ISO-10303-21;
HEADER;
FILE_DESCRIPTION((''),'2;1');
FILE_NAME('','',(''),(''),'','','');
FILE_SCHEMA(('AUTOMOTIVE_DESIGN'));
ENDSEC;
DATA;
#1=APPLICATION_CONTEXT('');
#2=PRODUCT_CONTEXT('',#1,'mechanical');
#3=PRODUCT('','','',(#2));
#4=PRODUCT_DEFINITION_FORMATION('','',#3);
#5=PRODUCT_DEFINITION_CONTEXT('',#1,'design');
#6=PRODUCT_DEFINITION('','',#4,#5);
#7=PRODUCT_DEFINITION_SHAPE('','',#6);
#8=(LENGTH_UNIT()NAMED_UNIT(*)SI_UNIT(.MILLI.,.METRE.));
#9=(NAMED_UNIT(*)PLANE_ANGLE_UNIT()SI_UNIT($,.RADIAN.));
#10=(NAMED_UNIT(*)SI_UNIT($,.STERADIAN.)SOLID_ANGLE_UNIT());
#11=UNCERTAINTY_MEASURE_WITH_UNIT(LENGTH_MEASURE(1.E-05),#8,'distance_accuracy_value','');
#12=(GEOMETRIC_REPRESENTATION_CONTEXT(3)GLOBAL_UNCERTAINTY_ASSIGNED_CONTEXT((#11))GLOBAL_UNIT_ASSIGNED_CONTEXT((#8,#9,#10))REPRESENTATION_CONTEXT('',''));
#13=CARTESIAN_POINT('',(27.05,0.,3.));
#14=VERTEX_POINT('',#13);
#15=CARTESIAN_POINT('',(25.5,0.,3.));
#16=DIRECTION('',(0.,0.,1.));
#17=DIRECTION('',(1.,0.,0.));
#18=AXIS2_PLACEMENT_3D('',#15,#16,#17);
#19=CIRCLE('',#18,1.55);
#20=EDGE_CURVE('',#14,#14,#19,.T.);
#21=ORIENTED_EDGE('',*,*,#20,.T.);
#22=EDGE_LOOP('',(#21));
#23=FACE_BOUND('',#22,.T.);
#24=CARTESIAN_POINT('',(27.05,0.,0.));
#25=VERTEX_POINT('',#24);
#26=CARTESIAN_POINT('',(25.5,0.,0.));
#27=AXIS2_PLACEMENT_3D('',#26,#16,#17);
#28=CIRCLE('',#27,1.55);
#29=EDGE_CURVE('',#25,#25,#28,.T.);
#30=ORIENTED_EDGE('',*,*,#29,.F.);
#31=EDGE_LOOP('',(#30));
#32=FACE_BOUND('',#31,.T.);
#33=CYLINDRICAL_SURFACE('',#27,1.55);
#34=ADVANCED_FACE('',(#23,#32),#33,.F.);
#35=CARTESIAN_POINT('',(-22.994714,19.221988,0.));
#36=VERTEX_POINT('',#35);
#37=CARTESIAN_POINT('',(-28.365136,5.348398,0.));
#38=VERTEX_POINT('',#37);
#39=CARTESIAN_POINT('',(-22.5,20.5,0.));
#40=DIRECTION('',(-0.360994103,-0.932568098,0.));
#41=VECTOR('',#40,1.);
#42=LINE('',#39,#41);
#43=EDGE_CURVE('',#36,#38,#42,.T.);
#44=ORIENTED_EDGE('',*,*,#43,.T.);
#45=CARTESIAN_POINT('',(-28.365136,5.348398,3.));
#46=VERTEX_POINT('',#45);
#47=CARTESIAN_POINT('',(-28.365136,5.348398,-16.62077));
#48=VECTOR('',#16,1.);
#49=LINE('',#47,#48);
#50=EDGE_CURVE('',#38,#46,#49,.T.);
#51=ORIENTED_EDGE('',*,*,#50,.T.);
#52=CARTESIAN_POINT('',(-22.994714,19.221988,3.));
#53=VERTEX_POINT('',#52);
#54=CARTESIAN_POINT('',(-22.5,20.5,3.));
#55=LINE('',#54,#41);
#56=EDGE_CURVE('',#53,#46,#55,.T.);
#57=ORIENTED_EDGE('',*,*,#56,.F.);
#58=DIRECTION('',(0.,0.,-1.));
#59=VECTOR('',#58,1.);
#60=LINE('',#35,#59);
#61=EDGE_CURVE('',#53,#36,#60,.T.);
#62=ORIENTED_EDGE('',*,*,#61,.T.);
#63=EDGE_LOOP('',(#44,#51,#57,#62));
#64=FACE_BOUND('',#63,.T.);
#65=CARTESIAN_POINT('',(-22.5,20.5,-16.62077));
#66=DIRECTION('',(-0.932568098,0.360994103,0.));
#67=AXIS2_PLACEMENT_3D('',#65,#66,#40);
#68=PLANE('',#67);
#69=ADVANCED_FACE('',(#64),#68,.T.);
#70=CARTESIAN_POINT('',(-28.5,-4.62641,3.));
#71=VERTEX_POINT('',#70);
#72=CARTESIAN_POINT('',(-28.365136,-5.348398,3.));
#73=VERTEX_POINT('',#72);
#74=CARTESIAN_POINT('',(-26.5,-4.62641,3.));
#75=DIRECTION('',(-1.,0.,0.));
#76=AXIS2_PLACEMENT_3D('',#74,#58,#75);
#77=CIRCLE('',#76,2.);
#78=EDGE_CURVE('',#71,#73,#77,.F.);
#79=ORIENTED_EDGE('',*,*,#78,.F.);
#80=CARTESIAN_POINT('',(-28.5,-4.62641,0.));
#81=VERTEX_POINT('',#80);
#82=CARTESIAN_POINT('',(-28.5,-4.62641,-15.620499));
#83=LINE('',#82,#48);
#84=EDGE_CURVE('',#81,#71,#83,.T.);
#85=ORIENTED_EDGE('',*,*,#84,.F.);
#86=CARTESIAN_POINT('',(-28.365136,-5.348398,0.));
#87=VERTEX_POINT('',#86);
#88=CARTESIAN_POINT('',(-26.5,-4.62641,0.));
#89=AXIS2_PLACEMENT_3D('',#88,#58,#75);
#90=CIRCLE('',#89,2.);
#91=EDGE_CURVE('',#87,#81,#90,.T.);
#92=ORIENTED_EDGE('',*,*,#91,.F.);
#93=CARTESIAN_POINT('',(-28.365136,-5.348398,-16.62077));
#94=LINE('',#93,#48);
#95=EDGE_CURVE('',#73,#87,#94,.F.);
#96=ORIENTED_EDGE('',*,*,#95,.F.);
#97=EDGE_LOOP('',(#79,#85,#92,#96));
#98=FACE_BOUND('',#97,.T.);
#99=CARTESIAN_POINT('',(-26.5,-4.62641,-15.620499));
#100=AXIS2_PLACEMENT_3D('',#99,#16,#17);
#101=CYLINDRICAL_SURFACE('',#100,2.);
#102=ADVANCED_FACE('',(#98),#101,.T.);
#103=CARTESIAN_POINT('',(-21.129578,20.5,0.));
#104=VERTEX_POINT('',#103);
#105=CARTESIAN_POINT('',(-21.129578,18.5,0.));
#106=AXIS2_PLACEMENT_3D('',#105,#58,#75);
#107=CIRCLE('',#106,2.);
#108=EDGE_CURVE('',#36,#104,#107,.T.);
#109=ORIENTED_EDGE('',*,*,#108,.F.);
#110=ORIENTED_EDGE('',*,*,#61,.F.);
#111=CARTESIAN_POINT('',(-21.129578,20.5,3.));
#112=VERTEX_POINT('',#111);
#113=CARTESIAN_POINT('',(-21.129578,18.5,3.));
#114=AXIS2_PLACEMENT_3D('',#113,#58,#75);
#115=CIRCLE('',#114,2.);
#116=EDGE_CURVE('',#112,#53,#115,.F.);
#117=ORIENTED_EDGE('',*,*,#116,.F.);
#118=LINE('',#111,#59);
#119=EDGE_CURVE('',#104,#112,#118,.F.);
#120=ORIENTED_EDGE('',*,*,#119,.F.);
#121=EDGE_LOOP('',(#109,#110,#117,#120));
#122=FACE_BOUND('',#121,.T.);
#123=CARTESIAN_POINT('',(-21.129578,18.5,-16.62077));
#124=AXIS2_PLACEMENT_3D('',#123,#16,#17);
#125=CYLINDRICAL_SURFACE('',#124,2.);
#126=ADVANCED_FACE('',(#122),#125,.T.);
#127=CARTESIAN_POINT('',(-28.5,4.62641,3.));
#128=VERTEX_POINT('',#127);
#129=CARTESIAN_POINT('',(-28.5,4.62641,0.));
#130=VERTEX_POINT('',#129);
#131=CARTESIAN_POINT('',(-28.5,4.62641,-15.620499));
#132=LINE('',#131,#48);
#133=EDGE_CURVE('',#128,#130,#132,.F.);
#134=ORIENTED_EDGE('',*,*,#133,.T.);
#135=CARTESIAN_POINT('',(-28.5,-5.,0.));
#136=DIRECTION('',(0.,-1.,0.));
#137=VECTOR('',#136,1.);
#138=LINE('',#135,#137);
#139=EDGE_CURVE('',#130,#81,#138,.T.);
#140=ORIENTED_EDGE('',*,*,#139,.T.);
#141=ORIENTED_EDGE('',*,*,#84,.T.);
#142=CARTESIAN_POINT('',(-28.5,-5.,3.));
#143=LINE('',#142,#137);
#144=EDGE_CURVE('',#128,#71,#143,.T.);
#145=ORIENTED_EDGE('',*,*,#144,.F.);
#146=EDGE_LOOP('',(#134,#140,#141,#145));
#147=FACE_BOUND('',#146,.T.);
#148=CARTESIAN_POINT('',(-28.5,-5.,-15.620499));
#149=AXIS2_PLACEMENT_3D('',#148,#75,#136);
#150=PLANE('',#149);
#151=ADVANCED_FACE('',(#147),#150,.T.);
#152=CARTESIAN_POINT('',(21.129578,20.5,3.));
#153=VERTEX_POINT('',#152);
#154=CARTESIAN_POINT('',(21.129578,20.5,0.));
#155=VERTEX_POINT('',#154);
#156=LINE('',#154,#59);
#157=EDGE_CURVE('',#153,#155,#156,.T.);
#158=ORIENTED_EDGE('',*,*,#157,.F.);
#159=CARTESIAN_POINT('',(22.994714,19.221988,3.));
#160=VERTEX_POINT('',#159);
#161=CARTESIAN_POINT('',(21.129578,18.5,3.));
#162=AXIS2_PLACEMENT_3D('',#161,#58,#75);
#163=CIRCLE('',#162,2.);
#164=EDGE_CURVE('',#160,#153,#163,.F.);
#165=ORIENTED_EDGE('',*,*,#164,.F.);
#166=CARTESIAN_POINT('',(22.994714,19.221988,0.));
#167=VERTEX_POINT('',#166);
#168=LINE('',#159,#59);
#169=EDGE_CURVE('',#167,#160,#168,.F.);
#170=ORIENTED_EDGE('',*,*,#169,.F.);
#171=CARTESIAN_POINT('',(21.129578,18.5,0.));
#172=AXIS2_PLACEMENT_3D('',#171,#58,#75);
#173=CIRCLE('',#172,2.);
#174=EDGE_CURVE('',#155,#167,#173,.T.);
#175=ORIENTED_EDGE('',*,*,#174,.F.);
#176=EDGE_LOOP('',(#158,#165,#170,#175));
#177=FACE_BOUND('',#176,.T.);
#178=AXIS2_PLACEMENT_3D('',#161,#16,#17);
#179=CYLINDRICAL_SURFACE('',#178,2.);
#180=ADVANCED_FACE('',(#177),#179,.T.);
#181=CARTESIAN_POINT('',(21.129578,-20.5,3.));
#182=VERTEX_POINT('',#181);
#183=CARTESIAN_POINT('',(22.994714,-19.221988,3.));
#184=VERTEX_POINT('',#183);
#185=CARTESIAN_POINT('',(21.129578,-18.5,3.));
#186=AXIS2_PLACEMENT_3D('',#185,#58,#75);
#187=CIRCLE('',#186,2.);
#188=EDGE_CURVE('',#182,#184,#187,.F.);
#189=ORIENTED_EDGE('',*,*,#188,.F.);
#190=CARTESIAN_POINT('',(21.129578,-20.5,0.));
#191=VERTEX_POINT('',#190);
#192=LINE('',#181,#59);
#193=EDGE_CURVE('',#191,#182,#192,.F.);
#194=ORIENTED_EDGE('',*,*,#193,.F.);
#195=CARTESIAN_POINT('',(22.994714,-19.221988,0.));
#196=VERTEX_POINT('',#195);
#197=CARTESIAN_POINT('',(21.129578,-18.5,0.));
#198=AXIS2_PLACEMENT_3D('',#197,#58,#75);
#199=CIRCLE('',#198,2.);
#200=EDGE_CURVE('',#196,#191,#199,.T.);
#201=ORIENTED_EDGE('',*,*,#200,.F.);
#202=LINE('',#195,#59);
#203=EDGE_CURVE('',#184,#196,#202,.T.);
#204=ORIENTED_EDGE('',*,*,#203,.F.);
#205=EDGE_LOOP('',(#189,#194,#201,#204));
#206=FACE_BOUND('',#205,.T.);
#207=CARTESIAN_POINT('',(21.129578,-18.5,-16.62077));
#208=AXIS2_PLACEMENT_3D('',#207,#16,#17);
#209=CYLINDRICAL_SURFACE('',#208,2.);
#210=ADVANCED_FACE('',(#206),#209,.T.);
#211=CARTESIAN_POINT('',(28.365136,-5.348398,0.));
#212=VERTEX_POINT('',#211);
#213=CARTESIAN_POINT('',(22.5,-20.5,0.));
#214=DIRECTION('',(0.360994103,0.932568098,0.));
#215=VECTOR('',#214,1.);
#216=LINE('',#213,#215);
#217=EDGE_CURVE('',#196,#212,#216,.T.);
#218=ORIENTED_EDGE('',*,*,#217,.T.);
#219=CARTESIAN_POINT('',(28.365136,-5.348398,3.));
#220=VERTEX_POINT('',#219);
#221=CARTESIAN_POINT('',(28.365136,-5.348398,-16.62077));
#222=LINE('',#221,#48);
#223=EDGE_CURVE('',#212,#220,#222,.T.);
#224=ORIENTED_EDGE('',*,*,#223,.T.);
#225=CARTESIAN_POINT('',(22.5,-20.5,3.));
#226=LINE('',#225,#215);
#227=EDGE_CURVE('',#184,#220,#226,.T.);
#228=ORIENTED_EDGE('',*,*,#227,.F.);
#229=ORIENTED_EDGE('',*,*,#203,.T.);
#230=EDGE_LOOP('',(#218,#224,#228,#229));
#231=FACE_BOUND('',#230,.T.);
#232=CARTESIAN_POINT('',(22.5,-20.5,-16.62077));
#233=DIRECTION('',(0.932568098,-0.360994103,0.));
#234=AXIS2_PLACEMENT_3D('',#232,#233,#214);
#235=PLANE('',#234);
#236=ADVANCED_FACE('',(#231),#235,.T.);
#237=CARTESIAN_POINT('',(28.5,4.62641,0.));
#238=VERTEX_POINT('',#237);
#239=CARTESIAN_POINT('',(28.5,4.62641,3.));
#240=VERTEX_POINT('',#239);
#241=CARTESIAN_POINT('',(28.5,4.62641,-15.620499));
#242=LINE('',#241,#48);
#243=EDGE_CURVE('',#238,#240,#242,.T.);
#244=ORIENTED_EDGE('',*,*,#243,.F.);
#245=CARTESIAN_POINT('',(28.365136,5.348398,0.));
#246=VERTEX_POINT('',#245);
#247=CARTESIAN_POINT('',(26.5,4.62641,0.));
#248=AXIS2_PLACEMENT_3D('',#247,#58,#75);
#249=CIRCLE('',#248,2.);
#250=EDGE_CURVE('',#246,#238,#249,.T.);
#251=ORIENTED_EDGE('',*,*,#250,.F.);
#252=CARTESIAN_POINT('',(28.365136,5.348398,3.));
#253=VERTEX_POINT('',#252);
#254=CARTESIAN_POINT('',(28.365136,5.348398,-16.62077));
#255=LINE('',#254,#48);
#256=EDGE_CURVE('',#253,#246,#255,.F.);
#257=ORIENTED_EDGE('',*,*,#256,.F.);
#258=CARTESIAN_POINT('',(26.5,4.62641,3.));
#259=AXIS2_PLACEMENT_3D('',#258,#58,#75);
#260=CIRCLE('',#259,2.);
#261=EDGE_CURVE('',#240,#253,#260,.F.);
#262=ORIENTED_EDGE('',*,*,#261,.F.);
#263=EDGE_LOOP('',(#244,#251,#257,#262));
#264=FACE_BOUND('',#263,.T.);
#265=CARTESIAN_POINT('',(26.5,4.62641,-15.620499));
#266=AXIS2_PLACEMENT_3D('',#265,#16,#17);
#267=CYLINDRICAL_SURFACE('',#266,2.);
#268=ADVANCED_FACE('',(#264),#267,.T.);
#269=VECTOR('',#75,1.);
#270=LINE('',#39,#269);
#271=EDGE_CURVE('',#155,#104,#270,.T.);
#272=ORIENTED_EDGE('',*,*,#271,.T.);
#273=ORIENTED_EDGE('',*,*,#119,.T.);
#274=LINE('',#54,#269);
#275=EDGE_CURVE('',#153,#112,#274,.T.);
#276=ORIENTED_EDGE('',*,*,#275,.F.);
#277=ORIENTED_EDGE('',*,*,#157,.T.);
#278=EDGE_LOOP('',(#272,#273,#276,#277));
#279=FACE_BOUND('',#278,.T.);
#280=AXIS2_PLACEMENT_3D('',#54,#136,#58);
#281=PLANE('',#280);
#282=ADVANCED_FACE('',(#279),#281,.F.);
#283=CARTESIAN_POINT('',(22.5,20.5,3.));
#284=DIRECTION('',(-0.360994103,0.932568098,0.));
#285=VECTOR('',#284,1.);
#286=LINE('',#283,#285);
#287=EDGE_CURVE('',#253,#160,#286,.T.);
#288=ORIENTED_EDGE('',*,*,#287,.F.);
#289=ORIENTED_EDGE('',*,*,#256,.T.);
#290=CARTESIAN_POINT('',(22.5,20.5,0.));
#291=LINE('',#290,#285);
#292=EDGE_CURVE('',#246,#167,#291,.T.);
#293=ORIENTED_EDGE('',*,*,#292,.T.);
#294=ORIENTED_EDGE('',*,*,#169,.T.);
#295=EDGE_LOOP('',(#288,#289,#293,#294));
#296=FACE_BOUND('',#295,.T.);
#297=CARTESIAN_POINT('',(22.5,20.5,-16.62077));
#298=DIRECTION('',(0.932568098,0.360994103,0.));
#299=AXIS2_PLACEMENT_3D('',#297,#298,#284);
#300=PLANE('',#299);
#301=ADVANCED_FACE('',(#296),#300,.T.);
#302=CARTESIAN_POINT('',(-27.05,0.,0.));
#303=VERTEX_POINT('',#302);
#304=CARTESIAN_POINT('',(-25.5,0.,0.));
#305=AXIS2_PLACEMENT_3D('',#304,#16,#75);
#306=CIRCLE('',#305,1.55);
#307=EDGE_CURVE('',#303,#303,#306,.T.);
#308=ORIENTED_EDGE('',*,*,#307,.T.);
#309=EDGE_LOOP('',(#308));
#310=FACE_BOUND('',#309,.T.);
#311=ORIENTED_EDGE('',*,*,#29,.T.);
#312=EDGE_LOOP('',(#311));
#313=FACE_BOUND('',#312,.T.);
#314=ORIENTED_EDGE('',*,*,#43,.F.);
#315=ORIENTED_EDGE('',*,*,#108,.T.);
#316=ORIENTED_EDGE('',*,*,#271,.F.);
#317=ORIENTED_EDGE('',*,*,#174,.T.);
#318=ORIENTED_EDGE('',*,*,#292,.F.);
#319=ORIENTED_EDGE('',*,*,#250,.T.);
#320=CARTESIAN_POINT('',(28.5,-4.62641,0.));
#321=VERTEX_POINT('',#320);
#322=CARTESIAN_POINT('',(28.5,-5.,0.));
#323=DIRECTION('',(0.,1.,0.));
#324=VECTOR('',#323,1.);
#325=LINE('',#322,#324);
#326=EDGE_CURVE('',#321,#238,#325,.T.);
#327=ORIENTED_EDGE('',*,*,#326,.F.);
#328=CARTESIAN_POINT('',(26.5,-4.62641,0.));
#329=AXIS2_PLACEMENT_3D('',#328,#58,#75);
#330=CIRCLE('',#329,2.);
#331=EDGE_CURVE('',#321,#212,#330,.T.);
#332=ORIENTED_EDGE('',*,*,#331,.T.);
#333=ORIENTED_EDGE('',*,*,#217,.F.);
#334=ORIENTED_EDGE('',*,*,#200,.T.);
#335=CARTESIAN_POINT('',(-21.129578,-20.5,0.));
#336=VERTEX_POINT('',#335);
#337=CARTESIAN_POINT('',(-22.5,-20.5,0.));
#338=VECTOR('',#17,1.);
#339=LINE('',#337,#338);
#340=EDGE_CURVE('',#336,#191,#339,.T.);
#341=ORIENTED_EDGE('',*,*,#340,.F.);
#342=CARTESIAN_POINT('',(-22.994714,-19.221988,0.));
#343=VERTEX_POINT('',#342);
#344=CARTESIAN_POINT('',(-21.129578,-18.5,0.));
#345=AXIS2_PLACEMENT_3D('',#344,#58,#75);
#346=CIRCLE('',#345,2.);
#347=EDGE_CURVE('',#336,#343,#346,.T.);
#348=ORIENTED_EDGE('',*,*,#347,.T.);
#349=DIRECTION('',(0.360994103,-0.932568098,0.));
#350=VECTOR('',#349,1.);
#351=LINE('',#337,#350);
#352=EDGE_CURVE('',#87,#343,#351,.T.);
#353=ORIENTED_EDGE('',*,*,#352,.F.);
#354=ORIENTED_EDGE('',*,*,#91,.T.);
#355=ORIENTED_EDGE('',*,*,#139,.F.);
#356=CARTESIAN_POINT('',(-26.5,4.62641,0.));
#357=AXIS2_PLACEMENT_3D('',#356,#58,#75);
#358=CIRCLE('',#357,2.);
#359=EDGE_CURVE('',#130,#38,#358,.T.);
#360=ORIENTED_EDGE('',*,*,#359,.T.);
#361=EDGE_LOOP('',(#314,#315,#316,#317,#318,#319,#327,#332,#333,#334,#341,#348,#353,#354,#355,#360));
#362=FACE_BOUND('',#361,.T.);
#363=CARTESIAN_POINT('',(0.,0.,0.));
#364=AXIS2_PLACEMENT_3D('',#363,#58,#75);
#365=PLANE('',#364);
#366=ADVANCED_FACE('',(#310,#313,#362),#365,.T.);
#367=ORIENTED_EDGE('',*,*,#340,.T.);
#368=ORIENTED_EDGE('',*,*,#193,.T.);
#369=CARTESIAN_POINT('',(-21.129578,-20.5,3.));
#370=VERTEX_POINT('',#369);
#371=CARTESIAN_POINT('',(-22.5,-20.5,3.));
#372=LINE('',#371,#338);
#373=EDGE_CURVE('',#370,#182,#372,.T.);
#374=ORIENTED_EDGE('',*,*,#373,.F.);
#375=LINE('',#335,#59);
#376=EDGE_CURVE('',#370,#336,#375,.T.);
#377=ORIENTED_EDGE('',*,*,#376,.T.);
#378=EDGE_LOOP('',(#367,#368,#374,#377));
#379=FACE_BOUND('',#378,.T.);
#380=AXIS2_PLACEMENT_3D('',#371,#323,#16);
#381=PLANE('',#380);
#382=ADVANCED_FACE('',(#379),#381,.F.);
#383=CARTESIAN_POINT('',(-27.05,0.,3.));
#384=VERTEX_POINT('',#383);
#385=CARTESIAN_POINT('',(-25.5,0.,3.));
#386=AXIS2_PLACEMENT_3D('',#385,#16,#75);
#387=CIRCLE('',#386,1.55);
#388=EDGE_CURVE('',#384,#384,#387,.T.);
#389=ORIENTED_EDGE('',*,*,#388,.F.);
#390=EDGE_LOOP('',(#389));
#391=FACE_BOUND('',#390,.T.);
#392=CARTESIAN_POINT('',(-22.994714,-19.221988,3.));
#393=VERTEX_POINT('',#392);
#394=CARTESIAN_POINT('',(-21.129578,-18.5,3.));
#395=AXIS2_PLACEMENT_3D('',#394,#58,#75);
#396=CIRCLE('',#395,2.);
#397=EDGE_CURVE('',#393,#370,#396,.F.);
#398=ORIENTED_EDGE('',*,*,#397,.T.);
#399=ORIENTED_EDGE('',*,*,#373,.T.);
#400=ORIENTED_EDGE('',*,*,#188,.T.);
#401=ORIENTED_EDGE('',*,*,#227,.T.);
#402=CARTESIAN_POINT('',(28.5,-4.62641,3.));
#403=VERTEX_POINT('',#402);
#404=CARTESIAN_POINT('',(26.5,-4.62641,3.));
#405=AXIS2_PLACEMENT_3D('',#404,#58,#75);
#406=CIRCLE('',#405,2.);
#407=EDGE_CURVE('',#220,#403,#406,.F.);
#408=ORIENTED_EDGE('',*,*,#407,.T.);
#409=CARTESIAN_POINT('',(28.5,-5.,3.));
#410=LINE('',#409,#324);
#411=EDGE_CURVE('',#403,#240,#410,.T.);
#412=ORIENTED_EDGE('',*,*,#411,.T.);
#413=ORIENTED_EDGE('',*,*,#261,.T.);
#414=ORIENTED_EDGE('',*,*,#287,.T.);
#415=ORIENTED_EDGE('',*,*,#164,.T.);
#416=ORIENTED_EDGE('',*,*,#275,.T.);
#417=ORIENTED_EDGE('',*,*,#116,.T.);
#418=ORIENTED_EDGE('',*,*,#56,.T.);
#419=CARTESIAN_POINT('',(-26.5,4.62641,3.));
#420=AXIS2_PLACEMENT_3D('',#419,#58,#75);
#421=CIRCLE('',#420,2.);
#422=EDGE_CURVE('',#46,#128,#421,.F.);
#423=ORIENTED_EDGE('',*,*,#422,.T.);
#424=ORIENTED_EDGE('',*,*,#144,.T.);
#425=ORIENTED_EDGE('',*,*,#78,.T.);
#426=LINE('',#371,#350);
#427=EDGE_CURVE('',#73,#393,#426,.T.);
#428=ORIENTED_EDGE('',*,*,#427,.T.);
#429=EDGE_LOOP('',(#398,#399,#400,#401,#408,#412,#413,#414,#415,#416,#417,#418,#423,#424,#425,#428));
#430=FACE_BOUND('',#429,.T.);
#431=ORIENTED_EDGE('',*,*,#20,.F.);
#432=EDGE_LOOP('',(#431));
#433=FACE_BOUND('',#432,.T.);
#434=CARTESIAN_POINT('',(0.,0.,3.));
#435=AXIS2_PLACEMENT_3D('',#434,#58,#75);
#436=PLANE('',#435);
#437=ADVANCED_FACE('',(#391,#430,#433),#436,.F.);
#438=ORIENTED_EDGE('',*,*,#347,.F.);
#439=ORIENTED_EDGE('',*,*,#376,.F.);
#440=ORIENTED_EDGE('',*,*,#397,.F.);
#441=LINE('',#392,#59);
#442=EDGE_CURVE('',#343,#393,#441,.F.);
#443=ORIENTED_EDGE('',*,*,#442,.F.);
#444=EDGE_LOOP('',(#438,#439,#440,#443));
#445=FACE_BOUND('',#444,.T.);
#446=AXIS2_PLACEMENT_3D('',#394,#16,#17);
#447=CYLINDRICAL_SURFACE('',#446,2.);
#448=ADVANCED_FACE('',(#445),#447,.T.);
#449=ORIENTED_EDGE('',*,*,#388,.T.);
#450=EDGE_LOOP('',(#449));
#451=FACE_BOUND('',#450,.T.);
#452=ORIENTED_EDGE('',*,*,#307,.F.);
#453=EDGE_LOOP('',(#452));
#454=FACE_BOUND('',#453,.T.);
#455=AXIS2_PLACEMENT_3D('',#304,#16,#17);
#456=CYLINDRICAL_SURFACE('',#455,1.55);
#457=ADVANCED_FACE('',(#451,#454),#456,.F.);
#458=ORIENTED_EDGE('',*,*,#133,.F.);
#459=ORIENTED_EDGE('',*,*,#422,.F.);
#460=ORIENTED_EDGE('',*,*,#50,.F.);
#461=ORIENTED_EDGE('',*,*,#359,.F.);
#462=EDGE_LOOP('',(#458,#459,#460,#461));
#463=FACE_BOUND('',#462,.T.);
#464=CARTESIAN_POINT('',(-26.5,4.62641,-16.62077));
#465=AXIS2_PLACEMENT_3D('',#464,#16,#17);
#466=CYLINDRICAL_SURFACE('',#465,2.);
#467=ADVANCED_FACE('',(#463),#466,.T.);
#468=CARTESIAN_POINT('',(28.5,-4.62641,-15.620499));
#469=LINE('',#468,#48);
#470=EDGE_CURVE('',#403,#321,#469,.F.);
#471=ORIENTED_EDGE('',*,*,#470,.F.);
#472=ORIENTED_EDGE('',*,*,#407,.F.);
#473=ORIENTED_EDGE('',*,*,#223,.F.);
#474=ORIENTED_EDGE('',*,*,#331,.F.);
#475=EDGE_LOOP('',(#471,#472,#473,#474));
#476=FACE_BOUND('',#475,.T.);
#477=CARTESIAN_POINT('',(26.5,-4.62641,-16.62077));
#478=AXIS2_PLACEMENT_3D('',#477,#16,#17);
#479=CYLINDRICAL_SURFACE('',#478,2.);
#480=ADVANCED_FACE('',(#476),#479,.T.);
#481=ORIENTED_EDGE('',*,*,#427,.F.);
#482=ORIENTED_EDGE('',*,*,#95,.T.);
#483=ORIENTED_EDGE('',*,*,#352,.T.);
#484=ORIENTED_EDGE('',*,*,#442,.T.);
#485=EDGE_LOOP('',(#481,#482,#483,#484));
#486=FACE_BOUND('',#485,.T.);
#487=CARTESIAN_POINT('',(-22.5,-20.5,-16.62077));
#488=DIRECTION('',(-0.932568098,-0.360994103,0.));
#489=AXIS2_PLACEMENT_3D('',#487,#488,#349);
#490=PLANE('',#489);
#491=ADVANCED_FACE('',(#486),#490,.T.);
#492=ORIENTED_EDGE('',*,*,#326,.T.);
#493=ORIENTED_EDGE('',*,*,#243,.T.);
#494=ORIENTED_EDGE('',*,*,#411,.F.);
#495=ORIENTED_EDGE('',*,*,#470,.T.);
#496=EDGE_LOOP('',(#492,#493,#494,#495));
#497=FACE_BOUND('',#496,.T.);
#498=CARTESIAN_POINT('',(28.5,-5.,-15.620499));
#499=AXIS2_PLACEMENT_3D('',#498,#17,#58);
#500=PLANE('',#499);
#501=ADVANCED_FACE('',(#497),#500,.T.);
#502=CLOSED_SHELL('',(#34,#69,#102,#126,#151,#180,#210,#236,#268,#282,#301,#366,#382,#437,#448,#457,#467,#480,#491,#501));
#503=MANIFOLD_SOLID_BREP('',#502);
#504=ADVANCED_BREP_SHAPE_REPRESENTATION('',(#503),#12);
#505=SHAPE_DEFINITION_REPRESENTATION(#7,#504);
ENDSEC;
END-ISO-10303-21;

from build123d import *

# Parameters (mm, degrees)
SKETCH_1_W          = 45
SKETCH_1_H          = 41
EXTRUDE_1_DEPTH     = 3
SKETCH_2_W          = 12
SKETCH_2_H          = 10
EXTRUDE_2_DEPTH     = 3
EXTRUDE_3_DEPTH     = 3
SKETCH_4_R          = 1.55
CUT_EXTRUDE_1_DEPTH = 3
FILLET_1_R          = 2


with BuildPart() as part:
    # 草图1 → 凸台-拉伸1 (new body)
    with BuildSketch(Plane.XY):
        Rectangle(SKETCH_1_W, SKETCH_1_H)
    extrude(amount=EXTRUDE_1_DEPTH)

    # 草图2 → 凸台-拉伸2 (add)
    with BuildSketch(Plane.XY.offset(3)):
        with Locations((22.5, 0)):
            Rectangle(SKETCH_2_W, SKETCH_2_H)
        with Locations((-22.5, 0)):
            Rectangle(SKETCH_2_W, SKETCH_2_H)
    extrude(amount=-EXTRUDE_2_DEPTH)

    # 草图3 → 凸台-拉伸3 (add)
    with BuildSketch(Plane.XY.offset(3)):
        Polygon((-22.5, 20.5), (-28.5, 5), (-22.5, 5), align=None)
        Polygon((22.5, 5), (22.5, 20.5), (28.5, 5), align=None)
        Polygon((-28.5, -5), (-22.5, -5), (-22.5, -20.5), align=None)
        Polygon((22.5, -20.5), (28.5, -5), (22.5, -5), align=None)
    extrude(amount=-EXTRUDE_3_DEPTH)

    # 草图4 → 切除-拉伸1 (cut)
    with BuildSketch(Plane.XY.offset(3)):
        with Locations((25.5, 0)):
            Circle(SKETCH_4_R)
        with Locations(Location((-25.5, 0, 0), (0, 0, 180))):
            Circle(SKETCH_4_R)
    extrude(amount=-CUT_EXTRUDE_1_DEPTH, mode=Mode.SUBTRACT)

    # 圆角1
    fillet_1_edges = [part.edges().sort_by_distance(p)[0] for p in [
        (28.5, -5, 1.5),
        (28.5, 5, 1.5),
        (-28.5, 5, 1.5),
        (-28.5, -5, 1.5),
        (22.5, -20.5, 1.5),
        (-22.5, -20.5, 1.5),
        (-22.5, 20.5, 1.5),
        (22.5, 20.5, 1.5),
    ]]
    fillet(fillet_1_edges, radius=FILLET_1_R)


solid = part.part
